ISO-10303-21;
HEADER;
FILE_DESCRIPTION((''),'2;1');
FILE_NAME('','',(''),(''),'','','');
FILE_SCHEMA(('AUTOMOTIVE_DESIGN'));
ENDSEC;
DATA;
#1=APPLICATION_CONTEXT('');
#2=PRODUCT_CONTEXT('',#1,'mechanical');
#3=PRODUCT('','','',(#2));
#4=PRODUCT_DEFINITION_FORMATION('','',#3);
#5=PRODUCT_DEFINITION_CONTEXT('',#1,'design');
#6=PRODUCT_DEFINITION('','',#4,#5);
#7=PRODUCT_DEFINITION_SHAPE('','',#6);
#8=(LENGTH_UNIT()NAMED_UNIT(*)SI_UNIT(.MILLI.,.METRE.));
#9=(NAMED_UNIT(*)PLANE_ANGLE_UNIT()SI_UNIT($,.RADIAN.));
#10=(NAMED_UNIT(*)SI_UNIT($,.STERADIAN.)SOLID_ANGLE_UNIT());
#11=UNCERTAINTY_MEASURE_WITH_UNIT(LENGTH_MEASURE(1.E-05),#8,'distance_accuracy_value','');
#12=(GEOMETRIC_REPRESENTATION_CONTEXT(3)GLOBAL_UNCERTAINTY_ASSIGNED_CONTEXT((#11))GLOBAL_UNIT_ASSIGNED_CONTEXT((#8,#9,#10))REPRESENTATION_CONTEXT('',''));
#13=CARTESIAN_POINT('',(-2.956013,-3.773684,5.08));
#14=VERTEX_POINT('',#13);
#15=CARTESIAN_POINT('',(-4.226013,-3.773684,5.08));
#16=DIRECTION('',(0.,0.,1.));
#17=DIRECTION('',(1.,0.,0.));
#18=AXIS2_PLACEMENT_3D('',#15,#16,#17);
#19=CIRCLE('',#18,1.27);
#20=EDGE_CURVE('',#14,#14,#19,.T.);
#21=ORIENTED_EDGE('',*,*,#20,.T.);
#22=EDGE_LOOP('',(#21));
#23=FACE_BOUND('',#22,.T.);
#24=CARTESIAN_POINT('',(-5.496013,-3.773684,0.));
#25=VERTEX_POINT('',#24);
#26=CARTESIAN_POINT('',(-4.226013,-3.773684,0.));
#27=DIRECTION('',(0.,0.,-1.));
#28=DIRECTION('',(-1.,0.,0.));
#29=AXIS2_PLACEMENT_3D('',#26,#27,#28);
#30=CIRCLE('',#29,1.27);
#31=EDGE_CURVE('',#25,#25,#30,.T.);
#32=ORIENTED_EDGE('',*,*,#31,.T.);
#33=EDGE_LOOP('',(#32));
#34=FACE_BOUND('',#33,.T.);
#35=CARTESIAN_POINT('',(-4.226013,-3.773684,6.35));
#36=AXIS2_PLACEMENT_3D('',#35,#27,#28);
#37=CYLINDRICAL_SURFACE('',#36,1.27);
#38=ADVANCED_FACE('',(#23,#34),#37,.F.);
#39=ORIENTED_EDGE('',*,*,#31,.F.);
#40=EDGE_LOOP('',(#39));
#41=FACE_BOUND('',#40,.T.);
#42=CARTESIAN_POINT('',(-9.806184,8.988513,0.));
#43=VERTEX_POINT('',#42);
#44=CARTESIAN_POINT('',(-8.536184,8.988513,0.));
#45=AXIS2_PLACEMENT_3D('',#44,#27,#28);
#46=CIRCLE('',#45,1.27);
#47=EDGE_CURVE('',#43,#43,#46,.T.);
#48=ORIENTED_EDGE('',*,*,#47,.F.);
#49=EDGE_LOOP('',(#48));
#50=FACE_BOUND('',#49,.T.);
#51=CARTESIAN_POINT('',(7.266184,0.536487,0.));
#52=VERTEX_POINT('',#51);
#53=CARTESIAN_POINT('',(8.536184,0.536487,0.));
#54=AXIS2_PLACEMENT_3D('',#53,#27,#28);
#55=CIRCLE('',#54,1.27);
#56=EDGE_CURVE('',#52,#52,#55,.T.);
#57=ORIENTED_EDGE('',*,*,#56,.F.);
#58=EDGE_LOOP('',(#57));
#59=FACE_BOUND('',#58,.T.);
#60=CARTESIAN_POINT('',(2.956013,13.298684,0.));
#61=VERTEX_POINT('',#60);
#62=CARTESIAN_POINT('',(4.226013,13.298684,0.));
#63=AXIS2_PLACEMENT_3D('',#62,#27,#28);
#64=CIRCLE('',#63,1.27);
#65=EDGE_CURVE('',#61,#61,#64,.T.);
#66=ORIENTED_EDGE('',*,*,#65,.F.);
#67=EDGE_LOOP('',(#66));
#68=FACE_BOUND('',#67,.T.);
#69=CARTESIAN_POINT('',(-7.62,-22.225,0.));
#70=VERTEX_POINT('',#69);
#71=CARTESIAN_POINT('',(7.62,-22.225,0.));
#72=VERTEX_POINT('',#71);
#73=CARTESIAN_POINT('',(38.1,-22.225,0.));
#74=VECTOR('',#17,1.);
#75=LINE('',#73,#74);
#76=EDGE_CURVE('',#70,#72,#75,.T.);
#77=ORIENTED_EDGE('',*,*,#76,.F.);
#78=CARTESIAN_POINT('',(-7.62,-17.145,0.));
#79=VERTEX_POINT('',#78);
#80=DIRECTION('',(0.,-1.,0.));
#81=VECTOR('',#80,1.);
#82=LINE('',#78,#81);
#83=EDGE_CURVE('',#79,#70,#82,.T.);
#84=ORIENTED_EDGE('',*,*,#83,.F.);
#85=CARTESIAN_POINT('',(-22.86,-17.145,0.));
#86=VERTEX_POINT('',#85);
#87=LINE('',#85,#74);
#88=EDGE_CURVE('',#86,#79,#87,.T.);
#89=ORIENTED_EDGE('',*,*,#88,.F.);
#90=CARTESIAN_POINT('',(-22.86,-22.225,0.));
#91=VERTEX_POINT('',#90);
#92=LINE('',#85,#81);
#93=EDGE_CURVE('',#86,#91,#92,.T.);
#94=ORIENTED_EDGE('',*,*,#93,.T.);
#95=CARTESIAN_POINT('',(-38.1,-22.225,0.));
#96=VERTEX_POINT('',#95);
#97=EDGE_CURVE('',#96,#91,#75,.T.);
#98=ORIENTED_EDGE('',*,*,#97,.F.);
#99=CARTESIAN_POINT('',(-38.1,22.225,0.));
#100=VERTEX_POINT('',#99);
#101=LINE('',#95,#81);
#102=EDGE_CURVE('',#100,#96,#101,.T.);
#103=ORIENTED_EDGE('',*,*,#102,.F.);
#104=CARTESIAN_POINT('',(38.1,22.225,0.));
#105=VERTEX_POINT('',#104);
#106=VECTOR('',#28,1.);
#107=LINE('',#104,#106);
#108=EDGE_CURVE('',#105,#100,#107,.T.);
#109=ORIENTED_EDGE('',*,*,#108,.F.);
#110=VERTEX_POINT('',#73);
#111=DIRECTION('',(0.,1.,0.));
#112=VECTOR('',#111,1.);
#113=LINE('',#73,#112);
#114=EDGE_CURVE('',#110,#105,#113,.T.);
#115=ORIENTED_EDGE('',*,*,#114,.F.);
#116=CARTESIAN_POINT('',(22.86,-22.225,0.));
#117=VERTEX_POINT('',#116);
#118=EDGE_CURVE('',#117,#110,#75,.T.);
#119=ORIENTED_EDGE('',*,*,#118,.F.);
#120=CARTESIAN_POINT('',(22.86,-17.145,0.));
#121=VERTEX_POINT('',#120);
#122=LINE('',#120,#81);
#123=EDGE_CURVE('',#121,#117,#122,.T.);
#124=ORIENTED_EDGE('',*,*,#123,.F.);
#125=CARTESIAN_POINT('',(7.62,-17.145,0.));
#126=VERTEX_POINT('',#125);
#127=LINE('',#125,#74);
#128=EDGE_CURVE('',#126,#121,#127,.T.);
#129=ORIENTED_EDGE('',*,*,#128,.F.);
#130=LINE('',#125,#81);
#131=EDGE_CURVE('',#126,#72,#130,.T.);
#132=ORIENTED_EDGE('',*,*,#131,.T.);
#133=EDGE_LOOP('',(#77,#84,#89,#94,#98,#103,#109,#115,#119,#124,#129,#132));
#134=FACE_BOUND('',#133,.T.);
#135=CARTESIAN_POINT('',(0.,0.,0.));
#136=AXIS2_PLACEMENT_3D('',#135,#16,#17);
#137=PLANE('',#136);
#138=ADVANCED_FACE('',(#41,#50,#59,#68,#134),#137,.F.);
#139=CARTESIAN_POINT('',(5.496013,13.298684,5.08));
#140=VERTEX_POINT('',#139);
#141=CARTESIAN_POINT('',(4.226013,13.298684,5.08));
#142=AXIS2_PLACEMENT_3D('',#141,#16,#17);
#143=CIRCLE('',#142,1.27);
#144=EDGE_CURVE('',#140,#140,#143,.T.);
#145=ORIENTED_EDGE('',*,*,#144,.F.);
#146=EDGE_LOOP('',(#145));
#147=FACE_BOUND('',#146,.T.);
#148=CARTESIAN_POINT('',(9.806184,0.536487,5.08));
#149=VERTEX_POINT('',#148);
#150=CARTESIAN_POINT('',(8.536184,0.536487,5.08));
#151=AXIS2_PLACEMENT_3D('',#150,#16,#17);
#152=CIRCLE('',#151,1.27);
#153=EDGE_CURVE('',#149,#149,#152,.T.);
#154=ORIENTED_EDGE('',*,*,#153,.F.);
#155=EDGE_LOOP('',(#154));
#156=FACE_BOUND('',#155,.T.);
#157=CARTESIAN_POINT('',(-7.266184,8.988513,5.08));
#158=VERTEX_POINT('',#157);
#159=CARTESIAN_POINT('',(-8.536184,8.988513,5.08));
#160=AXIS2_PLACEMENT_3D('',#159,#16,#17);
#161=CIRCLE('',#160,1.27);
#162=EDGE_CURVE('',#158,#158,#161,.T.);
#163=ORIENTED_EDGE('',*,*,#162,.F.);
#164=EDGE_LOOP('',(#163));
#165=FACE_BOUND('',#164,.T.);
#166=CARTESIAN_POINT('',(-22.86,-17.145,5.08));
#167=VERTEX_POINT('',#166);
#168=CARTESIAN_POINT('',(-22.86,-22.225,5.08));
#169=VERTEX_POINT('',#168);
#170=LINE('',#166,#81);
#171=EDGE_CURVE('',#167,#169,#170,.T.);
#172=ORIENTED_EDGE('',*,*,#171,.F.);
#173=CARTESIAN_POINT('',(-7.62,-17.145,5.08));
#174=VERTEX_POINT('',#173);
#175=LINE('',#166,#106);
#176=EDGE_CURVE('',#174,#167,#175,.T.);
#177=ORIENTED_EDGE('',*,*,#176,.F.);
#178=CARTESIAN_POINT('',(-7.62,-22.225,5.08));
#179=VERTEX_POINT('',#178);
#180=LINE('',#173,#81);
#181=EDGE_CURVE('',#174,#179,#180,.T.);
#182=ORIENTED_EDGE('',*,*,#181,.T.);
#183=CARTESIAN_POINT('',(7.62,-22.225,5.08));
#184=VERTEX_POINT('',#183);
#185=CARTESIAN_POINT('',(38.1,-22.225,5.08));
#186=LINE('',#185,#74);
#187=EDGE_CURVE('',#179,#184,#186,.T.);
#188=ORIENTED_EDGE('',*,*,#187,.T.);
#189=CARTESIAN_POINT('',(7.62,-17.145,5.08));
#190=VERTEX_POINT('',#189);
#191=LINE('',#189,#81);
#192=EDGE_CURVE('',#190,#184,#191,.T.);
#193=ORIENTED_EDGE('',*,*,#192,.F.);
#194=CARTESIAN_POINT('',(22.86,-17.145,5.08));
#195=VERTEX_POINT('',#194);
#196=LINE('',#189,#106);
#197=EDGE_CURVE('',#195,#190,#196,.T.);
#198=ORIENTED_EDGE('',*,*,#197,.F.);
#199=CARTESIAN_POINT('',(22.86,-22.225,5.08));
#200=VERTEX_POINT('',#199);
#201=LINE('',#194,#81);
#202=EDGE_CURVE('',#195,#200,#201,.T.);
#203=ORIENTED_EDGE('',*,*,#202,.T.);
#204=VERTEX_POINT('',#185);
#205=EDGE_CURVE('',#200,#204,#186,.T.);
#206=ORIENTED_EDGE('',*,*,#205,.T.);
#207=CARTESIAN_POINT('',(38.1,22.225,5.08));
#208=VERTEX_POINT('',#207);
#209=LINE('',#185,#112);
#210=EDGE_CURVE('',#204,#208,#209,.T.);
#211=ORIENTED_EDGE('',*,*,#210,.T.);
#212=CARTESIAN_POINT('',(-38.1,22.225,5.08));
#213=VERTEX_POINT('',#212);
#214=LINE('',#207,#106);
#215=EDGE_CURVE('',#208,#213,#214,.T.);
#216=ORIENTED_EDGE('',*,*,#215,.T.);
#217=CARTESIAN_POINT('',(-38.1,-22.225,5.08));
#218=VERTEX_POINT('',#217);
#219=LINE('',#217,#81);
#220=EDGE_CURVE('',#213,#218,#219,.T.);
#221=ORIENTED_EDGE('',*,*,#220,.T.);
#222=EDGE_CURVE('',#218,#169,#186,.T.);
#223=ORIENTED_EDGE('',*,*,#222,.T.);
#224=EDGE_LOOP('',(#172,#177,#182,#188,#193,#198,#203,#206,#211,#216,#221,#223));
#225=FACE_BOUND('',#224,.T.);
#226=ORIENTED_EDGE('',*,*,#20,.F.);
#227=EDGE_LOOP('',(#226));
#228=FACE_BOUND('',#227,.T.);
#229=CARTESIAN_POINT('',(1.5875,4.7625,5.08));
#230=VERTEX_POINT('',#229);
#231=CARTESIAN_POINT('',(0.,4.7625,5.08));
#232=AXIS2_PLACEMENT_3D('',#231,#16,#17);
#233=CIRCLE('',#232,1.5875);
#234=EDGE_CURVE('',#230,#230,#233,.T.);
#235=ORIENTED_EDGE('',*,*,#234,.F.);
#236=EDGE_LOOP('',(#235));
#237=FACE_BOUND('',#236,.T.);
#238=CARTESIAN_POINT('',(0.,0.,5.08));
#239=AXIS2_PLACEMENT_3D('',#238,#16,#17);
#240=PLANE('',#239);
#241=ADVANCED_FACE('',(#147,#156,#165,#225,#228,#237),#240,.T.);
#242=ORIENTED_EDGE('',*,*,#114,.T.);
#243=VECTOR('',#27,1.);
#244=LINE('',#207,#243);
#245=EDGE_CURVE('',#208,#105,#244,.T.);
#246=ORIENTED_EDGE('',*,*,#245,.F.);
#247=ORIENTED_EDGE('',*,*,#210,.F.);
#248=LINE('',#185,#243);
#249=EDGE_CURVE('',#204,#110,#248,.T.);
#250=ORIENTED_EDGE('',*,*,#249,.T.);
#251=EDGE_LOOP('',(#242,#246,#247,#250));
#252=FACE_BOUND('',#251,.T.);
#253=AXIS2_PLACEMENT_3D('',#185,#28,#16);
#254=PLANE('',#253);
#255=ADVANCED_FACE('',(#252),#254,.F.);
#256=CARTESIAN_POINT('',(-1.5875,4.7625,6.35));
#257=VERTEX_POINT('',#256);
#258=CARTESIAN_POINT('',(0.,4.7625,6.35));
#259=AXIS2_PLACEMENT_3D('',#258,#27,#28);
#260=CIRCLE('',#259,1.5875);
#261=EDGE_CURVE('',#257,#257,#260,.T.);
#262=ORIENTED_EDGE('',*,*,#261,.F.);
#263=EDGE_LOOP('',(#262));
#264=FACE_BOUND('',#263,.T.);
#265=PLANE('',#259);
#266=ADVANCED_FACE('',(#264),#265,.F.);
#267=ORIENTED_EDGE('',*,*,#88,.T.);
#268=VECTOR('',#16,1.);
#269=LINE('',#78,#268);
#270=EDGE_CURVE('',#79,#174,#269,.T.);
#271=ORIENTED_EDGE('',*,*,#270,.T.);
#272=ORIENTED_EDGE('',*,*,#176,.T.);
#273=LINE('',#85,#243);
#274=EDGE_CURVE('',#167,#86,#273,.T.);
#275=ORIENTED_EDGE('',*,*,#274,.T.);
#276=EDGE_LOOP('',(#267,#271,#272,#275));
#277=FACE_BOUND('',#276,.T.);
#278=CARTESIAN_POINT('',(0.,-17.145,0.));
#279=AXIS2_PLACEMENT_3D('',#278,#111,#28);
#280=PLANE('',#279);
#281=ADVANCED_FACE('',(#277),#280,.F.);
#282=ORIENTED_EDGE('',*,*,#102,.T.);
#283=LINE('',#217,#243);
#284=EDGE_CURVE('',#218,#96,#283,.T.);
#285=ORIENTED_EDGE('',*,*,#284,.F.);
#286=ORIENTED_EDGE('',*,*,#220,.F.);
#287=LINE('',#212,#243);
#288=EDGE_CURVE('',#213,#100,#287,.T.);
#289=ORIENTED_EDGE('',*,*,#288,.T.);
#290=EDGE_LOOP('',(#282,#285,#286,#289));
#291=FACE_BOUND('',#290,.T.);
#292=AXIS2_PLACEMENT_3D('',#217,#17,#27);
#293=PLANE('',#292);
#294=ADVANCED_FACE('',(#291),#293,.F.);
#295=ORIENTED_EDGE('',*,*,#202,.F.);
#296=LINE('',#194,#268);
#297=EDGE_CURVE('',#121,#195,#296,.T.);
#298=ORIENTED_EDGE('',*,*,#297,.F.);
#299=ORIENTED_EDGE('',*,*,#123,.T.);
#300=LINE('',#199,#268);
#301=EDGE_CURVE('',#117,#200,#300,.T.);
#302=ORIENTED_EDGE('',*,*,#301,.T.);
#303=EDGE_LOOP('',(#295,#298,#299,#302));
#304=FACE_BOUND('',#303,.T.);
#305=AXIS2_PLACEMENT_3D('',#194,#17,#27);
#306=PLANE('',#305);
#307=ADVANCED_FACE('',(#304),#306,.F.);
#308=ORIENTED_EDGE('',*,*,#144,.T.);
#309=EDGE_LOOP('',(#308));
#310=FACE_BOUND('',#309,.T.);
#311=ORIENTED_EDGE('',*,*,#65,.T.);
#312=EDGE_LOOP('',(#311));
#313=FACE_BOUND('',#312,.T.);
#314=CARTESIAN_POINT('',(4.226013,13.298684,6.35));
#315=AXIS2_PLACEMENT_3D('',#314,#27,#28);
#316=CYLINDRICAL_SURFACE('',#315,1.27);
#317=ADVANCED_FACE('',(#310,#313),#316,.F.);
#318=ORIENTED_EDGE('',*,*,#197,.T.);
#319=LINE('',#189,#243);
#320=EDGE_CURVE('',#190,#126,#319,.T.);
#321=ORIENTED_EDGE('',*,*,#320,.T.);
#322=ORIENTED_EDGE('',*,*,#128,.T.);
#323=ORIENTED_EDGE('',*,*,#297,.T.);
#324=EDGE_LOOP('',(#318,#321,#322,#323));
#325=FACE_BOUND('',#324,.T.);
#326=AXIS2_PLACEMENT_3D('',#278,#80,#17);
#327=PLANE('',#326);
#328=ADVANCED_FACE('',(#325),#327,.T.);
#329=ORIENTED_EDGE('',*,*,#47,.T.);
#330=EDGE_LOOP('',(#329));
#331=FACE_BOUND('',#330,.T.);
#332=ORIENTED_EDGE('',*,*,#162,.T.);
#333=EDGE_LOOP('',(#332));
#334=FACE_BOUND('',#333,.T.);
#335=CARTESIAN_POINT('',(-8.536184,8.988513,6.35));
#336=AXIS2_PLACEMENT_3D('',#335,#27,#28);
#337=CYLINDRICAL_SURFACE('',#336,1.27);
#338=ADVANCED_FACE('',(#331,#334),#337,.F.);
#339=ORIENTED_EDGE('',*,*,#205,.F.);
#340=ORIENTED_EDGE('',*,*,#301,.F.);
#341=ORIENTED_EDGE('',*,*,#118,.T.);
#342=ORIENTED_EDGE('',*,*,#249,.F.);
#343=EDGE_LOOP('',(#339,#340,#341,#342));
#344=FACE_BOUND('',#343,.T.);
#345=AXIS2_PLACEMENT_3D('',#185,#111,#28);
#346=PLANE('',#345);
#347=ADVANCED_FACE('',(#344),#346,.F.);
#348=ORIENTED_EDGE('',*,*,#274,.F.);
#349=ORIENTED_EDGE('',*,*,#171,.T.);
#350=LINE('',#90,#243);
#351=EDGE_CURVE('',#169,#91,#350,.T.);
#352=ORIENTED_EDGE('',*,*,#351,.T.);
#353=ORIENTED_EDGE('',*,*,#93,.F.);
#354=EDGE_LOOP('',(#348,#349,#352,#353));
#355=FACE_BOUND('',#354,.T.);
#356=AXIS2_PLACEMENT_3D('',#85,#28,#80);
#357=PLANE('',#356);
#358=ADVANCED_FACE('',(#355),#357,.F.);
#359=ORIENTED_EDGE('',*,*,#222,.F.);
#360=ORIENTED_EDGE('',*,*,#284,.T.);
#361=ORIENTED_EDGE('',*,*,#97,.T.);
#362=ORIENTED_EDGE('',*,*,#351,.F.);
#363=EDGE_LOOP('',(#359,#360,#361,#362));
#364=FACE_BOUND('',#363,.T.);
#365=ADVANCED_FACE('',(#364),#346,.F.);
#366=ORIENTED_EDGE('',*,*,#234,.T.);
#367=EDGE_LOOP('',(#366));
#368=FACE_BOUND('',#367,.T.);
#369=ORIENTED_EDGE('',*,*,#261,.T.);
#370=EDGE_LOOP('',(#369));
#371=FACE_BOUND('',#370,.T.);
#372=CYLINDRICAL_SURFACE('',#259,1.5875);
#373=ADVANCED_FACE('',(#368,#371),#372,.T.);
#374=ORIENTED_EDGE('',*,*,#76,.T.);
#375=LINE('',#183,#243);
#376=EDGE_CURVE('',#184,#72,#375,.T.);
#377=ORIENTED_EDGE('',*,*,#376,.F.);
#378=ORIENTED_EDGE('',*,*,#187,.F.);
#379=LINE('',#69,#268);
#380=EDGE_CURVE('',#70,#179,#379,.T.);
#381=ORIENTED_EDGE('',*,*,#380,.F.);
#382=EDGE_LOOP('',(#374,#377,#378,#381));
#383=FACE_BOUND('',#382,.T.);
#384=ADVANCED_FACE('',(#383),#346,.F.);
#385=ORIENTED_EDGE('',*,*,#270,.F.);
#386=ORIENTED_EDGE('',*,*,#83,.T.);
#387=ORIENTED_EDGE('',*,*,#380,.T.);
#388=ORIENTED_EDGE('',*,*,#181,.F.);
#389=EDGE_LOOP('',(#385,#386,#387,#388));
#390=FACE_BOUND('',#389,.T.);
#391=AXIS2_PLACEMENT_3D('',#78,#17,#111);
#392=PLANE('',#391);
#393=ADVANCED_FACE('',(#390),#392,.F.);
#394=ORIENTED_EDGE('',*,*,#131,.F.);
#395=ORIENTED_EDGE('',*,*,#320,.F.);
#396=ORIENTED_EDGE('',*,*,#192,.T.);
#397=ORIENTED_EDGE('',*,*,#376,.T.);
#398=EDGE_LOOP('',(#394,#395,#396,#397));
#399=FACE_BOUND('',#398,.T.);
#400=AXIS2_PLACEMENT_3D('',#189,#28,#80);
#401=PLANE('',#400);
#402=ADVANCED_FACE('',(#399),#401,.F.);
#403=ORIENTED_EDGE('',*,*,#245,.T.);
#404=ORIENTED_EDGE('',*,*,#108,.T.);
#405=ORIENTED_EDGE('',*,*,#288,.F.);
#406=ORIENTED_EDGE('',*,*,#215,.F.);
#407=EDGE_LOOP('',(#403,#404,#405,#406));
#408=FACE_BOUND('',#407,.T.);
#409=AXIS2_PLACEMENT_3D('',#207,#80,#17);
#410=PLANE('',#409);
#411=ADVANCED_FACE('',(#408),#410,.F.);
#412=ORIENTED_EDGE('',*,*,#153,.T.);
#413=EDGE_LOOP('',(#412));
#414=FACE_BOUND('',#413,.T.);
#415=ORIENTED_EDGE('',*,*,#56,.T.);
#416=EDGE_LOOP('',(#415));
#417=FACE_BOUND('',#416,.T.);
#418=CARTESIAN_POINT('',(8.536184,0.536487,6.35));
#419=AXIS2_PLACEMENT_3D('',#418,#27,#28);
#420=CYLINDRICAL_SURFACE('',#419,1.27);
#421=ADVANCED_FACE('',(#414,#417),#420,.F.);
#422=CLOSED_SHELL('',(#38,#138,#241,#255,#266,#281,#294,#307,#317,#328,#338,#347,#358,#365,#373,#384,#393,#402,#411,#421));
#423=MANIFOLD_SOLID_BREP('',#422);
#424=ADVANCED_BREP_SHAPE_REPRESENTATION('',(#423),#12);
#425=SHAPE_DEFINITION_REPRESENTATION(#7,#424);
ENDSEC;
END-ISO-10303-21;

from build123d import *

# Parameters (mm, degrees)
SKETCH1_W           = 76.2
SKETCH1_H           = 44.45
BOSS_EXTRUDE1_DEPTH = 5.08
SKETCH2_R           = 1.5875
BOSS_EXTRUDE6_DEPTH = 6.35
SKETCH3_R           = 1.27
CUT_EXTRUDE1_DEPTH  = 6.35
SKETCH4_W           = 15.24
SKETCH4_H           = 5.08
CUT_EXTRUDE2_DEPTH  = 5.08


with BuildPart() as part:
    # Sketch1 → Boss-Extrude1 (new body)
    with BuildSketch(Plane.XY):
        Rectangle(SKETCH1_W, SKETCH1_H)
    extrude(amount=BOSS_EXTRUDE1_DEPTH)

    # Sketch2 → Boss-Extrude6 (add)
    with BuildSketch(Plane(origin=(0, 0, 0), x_dir=(-1, 0, 0), z_dir=(0, 0, -1))):
        with Locations((0, 4.7625)):
            Circle(SKETCH2_R)
    extrude(amount=-BOSS_EXTRUDE6_DEPTH)

    # Sketch3 → Cut-Extrude1 (cut)
    with BuildSketch(Plane(origin=(0, 0, 0), x_dir=(-1, 0, 0), z_dir=(0, 0, -1))):
        with Locations((4.226013148, -3.773684035)):
            Circle(SKETCH3_R)
        with Locations((-8.536184035, 0.536486852)):
            Circle(SKETCH3_R)
        with Locations((-4.226013147, 13.298684035)):
            Circle(SKETCH3_R)
        with Locations((8.536184035, 8.988513147)):
            Circle(SKETCH3_R)
    extrude(amount=-CUT_EXTRUDE1_DEPTH, mode=Mode.SUBTRACT)

    # Sketch4 → Cut-Extrude2 (cut)
    with BuildSketch(Plane(origin=(0, -22.225, 0), x_dir=(-1, 0, 0), z_dir=(0, -1, 0))):
        with Locations((15.24, -2.54)):
            Rectangle(SKETCH4_W, SKETCH4_H)
        with Locations((-15.24, -2.54)):
            Rectangle(SKETCH4_W, SKETCH4_H)
    extrude(amount=-CUT_EXTRUDE2_DEPTH, mode=Mode.SUBTRACT)


solid = part.part
